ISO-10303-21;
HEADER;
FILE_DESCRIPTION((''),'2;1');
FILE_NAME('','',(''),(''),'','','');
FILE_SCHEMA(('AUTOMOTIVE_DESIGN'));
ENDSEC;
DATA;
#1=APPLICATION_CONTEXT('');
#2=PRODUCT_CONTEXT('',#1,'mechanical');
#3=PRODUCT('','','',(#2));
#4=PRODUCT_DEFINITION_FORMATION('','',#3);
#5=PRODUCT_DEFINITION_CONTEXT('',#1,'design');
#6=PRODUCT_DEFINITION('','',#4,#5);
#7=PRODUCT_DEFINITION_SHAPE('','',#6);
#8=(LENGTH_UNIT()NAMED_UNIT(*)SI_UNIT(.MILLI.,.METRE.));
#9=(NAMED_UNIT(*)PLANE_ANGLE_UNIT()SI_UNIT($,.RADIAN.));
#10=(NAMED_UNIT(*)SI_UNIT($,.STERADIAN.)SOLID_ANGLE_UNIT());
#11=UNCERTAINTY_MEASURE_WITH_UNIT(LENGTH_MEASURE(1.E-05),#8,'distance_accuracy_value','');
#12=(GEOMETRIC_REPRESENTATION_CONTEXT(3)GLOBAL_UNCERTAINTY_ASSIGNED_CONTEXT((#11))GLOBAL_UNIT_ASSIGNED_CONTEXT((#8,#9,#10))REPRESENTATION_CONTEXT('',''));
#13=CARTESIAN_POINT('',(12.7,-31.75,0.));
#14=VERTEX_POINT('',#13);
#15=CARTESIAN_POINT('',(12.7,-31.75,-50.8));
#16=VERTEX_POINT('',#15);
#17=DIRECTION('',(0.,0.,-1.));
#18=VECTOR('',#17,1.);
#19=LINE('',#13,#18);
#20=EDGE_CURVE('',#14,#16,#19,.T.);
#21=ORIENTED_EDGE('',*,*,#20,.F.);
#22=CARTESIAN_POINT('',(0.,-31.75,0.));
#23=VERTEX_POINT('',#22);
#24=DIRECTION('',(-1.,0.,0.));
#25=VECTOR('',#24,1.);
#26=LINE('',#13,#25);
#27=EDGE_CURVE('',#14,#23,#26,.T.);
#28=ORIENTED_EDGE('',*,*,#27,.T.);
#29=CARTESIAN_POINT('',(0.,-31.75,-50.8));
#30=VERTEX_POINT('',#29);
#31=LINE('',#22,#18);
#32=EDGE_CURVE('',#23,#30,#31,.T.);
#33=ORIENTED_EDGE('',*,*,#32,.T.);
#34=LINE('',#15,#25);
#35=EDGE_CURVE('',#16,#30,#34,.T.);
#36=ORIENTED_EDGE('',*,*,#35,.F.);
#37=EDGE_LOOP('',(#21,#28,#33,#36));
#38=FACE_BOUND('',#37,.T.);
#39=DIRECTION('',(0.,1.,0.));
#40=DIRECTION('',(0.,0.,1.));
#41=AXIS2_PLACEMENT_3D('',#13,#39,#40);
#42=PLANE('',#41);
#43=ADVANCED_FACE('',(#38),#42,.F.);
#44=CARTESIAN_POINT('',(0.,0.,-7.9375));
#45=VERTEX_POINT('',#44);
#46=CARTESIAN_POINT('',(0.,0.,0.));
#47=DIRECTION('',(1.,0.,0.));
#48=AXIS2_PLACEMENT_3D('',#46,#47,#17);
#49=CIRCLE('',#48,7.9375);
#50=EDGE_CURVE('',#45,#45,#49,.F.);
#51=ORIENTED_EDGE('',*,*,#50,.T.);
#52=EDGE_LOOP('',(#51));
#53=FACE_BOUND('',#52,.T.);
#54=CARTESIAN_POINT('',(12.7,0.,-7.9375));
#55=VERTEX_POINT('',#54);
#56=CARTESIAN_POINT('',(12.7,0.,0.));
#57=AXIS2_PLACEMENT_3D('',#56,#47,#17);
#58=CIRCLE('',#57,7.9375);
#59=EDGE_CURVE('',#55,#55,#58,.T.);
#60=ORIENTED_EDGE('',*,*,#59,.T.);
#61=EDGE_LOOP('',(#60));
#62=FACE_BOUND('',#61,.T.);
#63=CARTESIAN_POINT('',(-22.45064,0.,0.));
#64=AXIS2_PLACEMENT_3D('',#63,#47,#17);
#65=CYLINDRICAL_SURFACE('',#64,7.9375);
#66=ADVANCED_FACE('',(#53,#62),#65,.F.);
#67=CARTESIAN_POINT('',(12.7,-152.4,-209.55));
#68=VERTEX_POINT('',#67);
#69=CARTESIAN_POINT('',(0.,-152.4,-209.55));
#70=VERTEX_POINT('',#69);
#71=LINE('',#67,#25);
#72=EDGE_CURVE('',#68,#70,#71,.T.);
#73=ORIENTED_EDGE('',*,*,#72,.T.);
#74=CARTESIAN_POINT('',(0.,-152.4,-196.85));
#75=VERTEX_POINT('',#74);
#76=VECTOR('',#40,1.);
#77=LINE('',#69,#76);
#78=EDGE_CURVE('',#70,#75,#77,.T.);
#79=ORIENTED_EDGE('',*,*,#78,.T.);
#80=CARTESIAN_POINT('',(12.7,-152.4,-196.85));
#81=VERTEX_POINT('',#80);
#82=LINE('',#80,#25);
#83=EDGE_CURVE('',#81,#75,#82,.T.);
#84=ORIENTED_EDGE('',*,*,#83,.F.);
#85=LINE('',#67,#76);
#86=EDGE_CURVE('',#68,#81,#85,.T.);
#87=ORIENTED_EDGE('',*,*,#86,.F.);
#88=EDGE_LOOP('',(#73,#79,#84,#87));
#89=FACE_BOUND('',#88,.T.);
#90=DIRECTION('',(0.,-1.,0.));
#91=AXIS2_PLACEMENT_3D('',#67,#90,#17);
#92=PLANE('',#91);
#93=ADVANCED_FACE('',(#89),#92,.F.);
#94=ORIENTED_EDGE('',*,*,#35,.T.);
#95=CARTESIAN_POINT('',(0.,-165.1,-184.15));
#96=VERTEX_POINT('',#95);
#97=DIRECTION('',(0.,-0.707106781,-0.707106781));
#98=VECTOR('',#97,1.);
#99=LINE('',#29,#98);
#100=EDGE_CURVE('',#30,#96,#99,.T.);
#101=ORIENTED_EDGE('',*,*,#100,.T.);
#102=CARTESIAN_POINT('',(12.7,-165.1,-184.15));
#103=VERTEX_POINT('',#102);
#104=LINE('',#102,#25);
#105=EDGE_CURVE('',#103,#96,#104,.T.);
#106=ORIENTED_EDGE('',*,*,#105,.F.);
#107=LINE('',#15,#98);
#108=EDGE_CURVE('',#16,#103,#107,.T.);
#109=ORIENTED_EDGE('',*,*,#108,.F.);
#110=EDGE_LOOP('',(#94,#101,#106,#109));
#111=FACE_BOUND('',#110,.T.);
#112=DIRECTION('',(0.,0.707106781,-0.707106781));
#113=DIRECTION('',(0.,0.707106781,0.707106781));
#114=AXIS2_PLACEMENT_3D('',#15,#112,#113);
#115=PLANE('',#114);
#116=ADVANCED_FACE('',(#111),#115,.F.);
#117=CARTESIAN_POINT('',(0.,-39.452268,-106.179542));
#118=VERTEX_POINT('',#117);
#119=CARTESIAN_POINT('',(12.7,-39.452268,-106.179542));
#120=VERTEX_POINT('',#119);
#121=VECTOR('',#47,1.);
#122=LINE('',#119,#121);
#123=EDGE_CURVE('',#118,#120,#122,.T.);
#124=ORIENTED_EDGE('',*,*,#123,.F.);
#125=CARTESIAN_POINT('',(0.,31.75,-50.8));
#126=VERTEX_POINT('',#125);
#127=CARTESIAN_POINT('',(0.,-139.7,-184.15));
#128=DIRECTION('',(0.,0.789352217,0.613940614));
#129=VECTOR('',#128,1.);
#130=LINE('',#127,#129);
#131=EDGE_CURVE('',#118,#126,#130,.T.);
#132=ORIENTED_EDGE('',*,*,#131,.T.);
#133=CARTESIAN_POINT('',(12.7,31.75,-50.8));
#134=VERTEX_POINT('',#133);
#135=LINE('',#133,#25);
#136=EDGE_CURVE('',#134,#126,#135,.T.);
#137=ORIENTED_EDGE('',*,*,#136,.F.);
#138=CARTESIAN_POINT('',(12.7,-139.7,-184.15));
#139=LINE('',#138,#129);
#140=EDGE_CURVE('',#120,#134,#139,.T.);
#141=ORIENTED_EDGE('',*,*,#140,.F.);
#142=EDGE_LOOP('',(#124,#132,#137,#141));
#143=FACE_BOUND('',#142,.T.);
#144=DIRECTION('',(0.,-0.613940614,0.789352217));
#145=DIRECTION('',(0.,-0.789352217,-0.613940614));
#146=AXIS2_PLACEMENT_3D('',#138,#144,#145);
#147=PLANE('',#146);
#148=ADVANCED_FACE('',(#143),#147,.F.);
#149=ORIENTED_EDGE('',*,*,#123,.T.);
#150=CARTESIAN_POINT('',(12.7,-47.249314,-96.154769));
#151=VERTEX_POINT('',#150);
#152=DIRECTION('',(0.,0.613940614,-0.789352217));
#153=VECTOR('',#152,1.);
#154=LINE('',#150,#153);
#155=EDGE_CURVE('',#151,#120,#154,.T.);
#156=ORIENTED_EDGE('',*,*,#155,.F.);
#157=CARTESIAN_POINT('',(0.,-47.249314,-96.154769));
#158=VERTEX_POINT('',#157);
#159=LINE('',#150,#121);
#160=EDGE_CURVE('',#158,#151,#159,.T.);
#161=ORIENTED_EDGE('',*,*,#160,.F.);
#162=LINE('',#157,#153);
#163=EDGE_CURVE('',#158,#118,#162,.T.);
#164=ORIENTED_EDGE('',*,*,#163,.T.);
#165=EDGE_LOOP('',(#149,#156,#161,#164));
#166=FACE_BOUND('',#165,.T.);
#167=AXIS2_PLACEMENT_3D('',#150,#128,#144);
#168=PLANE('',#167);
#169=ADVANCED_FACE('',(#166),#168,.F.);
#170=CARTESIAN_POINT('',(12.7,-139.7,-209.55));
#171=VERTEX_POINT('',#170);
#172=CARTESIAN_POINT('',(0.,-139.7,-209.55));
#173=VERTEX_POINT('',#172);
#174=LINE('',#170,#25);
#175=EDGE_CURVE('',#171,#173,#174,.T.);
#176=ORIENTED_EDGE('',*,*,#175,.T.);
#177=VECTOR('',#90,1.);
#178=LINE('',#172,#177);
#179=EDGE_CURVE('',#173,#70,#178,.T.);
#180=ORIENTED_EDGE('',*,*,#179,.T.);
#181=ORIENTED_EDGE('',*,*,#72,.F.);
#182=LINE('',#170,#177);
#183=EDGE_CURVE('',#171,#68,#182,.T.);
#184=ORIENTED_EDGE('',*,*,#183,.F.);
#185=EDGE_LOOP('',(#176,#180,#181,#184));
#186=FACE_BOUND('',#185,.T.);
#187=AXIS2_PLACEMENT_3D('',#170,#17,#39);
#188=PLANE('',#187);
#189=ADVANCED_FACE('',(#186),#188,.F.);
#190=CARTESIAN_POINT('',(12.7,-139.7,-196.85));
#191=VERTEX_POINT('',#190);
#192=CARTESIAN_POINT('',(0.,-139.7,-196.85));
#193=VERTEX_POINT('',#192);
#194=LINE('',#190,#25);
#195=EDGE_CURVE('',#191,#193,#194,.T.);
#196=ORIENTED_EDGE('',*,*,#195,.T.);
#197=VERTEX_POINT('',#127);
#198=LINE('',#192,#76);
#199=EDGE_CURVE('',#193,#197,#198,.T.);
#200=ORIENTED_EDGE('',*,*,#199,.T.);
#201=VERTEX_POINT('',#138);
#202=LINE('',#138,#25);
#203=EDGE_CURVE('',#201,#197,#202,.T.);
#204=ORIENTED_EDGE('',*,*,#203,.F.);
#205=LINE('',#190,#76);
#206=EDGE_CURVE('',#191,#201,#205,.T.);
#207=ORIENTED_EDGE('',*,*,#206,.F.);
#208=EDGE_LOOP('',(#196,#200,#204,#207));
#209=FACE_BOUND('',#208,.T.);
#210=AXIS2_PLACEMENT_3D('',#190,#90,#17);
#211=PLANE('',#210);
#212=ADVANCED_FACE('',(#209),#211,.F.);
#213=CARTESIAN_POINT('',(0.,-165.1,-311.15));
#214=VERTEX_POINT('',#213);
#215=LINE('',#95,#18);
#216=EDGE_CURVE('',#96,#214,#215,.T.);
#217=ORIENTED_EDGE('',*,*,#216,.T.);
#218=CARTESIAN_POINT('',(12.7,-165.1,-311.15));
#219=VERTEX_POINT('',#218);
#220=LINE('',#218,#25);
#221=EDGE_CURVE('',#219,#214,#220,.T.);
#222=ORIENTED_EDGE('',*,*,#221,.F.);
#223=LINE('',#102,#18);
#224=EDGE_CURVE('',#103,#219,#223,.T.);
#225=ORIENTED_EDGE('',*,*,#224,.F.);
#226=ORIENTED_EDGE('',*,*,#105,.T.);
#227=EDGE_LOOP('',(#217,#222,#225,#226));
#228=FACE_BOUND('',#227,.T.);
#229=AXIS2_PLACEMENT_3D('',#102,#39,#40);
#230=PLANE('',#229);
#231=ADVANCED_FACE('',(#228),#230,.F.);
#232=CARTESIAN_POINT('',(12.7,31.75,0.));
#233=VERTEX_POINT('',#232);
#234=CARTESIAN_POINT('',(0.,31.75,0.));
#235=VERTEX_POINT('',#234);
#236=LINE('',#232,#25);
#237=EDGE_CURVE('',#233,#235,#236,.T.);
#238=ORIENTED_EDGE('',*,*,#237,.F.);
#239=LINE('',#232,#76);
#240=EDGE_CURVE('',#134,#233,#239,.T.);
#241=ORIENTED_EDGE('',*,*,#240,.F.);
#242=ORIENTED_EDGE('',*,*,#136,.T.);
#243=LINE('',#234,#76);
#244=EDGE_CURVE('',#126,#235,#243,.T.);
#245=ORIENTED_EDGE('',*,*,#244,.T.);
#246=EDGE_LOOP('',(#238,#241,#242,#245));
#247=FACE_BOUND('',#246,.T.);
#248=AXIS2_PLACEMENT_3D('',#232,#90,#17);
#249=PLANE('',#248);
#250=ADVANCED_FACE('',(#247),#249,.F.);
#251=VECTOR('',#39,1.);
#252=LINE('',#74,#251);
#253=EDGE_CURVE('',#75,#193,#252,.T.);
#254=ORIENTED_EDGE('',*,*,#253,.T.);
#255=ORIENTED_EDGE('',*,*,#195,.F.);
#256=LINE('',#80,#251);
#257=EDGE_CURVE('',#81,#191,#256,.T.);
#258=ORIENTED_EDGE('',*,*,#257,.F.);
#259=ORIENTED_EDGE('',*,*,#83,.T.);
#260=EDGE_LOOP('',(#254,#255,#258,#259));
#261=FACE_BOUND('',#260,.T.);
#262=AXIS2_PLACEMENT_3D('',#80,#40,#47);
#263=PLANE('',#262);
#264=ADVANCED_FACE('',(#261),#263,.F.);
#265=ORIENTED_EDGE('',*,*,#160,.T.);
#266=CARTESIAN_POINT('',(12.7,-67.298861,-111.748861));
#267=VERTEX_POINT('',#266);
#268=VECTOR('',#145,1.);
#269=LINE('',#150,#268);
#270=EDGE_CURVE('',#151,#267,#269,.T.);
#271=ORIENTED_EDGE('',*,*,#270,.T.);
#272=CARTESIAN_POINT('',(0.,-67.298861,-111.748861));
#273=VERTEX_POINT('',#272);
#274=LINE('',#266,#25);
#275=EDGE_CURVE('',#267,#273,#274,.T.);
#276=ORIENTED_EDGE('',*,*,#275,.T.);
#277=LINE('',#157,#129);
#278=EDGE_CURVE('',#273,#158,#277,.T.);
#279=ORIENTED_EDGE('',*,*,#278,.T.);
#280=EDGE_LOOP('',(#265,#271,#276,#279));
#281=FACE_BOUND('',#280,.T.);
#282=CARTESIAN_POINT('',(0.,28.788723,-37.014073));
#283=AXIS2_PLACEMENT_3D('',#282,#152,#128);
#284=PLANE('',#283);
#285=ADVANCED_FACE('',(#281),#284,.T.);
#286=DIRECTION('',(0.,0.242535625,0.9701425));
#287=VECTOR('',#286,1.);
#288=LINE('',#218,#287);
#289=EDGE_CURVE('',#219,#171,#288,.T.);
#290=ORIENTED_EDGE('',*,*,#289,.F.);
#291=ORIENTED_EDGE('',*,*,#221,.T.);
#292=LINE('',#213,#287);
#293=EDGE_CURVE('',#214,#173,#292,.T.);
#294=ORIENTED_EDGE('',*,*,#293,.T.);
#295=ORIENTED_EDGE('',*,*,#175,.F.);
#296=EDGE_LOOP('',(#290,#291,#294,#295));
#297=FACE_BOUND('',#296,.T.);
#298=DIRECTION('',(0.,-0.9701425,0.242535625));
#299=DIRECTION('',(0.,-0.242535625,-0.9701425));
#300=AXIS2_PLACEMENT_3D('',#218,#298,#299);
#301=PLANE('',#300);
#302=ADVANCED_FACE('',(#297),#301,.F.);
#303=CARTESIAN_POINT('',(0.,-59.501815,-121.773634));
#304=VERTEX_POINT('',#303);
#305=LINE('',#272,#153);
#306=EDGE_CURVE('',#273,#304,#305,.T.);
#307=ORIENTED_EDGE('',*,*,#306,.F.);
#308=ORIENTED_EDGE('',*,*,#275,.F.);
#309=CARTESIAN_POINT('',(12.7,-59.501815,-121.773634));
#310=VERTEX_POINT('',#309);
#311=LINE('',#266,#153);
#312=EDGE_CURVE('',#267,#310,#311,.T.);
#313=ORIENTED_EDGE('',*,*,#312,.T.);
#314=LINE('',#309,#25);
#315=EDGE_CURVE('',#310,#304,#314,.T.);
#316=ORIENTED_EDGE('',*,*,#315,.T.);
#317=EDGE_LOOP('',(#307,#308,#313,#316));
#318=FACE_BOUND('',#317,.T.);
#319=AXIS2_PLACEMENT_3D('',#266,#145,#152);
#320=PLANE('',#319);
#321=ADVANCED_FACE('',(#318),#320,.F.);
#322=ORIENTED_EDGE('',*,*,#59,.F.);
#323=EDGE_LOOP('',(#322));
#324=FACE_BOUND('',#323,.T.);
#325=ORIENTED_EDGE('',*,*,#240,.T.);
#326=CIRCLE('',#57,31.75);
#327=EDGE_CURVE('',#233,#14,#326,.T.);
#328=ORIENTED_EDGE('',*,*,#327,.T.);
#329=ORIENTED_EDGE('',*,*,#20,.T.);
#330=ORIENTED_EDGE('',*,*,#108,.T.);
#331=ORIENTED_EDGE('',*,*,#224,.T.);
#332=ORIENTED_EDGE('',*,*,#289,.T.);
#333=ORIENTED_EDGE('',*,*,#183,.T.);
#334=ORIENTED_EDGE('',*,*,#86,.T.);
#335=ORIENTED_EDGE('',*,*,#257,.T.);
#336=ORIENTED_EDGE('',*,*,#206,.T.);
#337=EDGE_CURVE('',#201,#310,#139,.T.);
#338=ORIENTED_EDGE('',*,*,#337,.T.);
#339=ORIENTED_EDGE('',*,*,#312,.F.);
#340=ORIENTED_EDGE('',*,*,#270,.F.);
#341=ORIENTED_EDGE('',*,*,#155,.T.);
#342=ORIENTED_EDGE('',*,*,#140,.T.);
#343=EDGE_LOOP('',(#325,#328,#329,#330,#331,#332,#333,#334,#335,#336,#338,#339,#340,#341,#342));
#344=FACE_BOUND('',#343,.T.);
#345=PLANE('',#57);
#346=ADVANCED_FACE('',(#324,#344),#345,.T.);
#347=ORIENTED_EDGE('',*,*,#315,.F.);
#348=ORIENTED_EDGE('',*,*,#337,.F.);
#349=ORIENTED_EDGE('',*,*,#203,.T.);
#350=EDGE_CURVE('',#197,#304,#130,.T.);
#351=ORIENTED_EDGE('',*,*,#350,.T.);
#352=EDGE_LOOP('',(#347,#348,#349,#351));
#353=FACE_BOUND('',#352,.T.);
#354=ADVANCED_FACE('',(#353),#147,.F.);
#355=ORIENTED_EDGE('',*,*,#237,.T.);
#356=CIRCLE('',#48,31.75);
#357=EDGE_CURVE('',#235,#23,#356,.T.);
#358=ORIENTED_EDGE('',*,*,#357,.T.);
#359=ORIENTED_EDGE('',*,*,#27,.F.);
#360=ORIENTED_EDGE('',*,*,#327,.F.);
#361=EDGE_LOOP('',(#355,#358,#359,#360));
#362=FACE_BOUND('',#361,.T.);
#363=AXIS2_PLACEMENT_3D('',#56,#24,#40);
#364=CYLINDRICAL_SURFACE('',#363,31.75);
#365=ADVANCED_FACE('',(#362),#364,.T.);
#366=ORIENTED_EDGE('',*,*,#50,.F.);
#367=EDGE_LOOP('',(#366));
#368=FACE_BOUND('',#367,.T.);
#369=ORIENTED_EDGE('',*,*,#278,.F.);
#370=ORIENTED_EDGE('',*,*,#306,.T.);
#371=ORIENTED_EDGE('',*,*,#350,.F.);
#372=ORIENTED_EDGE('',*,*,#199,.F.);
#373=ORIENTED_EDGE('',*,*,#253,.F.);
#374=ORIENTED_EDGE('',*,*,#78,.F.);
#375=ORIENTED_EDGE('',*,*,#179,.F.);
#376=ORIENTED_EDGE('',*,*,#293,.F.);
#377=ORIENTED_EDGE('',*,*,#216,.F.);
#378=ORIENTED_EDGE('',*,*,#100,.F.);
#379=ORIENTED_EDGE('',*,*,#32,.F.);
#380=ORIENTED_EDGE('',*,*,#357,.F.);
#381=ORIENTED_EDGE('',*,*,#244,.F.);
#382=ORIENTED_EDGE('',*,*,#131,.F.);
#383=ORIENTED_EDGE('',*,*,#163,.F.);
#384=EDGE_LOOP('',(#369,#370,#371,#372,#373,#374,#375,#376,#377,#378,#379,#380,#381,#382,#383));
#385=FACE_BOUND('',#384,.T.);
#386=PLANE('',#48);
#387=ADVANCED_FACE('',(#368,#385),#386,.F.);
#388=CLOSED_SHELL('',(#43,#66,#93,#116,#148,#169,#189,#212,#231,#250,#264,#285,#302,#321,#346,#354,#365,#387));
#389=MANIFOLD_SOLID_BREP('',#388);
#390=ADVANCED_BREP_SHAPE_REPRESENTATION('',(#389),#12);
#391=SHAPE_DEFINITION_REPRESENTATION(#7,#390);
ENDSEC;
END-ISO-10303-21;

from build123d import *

# Parameters (mm, degrees)
MAIN_DEPTH    = 12.7
SKETCH2_R     = 7.9375
AXLE_DEPTH    = 12.7
SKETCH5_W     = 12.7
SKETCH5_H     = 25.4
BARWIDE_DEPTH = 12.7


with BuildPart() as part:
    # Sketch1 → main (new body)
    with BuildSketch(Plane(origin=(0, 0, 0), x_dir=(0, 0, -1), z_dir=(1, 0, 0))):
        with BuildLine():
            Line((0, 31.75), (50.8, 31.75))
            Line((50.8, 31.75), (184.15, -139.7))
            Line((184.15, -139.7), (196.85, -139.7))
            Line((196.85, -139.7), (196.85, -152.4))
            Line((196.85, -152.4), (209.55, -152.4))
            Line((209.55, -152.4), (209.55, -139.7))
            Line((209.55, -139.7), (311.15, -165.1))
            Line((311.15, -165.1), (184.15, -165.1))
            Line((184.15, -165.1), (50.8, -31.75))
            Line((50.8, -31.75), (0, -31.75))
            ThreePointArc((0, -31.75), (-31.75, 0), (0, 31.75))
        make_face()
    extrude(amount=MAIN_DEPTH)

    # Sketch2 → axle (cut)
    with BuildSketch(Plane(origin=(12.7, 0, 0), x_dir=(0, 0, -1), z_dir=(1, 0, 0))):
        Circle(SKETCH2_R)
    extrude(amount=-AXLE_DEPTH, mode=Mode.SUBTRACT)

    # Sketch5 → barwide (cut)
    with BuildSketch(Plane(origin=(0, 36.585769231, -47.038846154), x_dir=(-1, 0, 0), z_dir=(0, 0.6139406135149222, -0.789352217376325))):
        with Locations((-6.35, -109.029668746)):
            Rectangle(SKETCH5_W, SKETCH5_H)
    extrude(amount=-BARWIDE_DEPTH, mode=Mode.SUBTRACT)


solid = part.part
